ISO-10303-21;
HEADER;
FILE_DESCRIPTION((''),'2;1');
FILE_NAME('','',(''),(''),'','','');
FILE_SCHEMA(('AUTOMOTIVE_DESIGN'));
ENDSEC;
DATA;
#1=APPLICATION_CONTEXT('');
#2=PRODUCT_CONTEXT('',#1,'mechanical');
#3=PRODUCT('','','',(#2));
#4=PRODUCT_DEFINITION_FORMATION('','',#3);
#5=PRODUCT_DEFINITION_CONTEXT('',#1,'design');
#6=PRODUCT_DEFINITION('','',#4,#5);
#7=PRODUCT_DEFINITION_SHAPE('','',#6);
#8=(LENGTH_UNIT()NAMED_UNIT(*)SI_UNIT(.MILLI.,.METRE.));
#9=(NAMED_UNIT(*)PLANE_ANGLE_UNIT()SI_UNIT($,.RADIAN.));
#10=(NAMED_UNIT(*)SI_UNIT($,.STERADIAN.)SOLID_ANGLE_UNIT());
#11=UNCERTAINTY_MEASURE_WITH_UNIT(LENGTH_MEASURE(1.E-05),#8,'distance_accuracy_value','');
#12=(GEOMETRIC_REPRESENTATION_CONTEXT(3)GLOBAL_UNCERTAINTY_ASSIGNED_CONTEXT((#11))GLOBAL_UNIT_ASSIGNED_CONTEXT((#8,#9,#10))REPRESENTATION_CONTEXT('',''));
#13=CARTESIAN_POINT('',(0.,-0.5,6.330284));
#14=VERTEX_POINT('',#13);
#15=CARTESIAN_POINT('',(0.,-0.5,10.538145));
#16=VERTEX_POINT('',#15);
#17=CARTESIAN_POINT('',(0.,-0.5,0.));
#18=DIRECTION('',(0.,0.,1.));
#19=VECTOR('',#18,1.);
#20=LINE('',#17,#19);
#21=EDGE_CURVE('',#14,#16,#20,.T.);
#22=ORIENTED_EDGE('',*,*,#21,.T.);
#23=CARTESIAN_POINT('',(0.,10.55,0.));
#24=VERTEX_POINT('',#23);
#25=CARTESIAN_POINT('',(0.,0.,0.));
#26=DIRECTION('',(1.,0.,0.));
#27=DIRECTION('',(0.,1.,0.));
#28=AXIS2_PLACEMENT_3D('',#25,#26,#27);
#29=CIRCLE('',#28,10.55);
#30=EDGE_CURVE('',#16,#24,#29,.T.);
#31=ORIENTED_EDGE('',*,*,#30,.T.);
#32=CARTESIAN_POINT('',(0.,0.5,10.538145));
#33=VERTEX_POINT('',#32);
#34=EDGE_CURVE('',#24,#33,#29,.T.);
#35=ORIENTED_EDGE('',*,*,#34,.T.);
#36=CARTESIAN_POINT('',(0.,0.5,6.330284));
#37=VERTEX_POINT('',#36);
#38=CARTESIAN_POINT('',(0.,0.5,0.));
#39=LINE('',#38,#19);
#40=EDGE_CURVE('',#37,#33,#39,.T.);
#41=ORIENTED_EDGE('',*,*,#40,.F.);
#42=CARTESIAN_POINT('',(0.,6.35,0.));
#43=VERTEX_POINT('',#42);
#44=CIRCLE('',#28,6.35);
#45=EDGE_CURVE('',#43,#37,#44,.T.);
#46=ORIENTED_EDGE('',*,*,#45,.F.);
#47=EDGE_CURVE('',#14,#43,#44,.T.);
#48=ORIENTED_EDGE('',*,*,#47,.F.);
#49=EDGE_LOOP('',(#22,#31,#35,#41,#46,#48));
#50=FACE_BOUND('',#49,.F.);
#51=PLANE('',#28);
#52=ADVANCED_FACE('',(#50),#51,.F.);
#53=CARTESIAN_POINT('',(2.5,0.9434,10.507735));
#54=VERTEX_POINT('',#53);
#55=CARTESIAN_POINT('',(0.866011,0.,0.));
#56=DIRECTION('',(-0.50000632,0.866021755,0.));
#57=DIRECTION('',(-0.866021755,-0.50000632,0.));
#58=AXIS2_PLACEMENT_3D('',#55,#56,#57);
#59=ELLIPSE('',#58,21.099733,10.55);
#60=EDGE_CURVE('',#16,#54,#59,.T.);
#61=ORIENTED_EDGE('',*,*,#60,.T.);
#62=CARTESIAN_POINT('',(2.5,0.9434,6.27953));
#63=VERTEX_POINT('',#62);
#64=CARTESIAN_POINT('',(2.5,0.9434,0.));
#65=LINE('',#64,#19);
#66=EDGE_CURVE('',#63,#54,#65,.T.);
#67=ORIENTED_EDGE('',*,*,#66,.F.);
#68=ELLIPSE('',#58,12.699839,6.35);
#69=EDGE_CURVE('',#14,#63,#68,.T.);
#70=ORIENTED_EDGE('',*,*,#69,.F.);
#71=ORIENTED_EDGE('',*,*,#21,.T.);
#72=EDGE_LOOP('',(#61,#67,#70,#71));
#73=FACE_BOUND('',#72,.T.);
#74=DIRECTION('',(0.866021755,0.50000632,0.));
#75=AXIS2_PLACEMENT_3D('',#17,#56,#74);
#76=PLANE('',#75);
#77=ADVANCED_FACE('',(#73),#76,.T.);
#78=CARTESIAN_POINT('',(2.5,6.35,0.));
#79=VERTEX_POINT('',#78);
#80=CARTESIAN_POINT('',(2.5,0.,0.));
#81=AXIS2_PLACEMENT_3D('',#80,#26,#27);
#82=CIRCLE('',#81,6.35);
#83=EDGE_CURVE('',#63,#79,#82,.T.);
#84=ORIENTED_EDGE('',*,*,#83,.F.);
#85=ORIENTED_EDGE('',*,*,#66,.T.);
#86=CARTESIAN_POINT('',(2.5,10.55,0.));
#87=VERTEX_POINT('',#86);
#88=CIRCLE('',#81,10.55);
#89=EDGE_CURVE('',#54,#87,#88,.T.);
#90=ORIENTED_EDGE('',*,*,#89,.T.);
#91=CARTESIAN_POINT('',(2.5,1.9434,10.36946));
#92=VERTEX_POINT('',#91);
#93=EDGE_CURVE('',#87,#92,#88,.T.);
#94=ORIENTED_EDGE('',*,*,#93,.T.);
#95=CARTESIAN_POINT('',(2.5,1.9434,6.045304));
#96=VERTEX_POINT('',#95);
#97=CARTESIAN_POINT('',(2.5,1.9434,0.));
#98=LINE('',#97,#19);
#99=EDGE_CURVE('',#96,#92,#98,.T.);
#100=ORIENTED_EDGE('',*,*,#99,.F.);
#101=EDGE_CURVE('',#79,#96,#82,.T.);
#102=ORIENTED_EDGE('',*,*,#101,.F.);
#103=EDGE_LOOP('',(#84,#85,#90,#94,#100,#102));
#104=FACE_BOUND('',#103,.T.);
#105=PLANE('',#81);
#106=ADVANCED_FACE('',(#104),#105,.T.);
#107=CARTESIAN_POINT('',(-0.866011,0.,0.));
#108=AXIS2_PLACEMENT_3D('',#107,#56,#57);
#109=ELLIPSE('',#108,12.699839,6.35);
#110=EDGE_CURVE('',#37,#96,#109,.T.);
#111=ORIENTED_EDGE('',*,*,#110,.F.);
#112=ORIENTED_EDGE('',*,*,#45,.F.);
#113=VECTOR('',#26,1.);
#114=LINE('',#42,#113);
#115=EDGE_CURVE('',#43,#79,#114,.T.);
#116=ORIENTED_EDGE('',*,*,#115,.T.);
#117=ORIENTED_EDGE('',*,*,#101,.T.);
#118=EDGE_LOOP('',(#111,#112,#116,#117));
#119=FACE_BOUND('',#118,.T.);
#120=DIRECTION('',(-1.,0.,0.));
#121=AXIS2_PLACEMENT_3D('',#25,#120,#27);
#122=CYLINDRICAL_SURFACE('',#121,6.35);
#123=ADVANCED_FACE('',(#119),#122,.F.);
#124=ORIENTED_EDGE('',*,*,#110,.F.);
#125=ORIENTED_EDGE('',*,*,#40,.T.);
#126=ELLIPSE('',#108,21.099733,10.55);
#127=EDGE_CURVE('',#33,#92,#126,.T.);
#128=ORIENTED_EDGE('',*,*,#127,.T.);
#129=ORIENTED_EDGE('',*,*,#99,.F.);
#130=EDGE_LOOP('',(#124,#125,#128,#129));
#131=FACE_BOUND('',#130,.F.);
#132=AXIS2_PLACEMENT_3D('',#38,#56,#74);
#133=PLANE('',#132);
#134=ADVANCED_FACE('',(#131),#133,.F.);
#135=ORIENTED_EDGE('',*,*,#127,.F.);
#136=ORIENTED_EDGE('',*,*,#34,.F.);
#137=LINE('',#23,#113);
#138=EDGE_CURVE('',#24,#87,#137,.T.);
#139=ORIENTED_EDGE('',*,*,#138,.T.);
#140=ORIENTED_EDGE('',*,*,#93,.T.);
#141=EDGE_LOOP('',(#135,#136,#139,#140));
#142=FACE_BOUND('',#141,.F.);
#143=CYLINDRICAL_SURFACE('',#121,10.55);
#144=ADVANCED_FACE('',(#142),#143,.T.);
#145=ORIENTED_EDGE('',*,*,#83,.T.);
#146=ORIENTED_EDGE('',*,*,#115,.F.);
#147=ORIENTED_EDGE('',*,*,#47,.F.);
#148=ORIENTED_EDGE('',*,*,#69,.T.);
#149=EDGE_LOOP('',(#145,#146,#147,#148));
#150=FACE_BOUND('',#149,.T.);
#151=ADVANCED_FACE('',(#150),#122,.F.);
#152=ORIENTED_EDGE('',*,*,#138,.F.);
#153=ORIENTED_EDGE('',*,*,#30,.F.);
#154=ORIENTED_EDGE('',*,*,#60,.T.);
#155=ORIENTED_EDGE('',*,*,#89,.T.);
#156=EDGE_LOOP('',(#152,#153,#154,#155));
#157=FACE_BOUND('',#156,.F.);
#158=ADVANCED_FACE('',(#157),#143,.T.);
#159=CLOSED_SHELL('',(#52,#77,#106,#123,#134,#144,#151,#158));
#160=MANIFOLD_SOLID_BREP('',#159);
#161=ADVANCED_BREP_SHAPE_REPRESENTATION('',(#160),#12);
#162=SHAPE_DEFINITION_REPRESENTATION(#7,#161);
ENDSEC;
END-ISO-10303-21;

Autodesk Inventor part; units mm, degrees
ref_plane "YZ Plane" through (0, 0, 0) normal (1, 0, 0) x (0, 1, 0)
ref_plane "XZ Plane" through (0, 0, 0) normal (0, 1, 0) x (-1, 0, 0)
sketch "Náčrt1" plane through (0, 0, 0) normal (1, 0, 0) x (0, 1, 0)
  circle A0 centre (0, 0) radius 10.55
  circle A1 centre (0, 0) radius 6.35
  dimension "d0" = 12.7
  dimension "d1" = 21.1
extrude "Těleso" add sketch "Náčrt1" along normal blind 2.5
sketch "Náčrt2" plane through (0, 0, 0) normal (0, 0, 1) x (1, 0, 0)
  line L0 (0, -6.35) -> (0, 6.35) projected
  line L1 (2.5, 10.55) -> (2.5, -10.55) projected
  line L2 (-1.2, 0) -> (7.2, 0) projected
  line L3 (0, -0.5) -> (2.5, 0.9434)
  line L4 (0, 0.5) -> (2.5, 1.9434)
  dimension "d4" = 0.5
  dimension "d5" = 0.5
  dimension "d6" = 60
extrude "Výřez" cut sketch "Náčrt2" along normal up to next contours L0 L2 L3 | L0 L4 L1 L3 L2
ref_plane "Work Plane1" through (0, 0, 0) normal (0, -1, 0) x (1, 0, 0)
equation "\"d0\" = SD1"
equation "\"d1\" = SD2"
equation "\"d2\" = SD"
equation "\"d4\" = 0.2 * SD"
equation "\"d5\" = 0.2 * SD"
equation "\"d6\" = FAWI"
equation "\"d7\" = SD"
equation "\"SD1\" = 12.7"
equation "\"SD2\" = 21.1"
equation "\"SD\" = 2.5"
equation "\"FAWI\" = 60deg"
equation "\"NND\" = 12"
properties part number "DIN 127 - A 12" material "Ocel, měkká"
